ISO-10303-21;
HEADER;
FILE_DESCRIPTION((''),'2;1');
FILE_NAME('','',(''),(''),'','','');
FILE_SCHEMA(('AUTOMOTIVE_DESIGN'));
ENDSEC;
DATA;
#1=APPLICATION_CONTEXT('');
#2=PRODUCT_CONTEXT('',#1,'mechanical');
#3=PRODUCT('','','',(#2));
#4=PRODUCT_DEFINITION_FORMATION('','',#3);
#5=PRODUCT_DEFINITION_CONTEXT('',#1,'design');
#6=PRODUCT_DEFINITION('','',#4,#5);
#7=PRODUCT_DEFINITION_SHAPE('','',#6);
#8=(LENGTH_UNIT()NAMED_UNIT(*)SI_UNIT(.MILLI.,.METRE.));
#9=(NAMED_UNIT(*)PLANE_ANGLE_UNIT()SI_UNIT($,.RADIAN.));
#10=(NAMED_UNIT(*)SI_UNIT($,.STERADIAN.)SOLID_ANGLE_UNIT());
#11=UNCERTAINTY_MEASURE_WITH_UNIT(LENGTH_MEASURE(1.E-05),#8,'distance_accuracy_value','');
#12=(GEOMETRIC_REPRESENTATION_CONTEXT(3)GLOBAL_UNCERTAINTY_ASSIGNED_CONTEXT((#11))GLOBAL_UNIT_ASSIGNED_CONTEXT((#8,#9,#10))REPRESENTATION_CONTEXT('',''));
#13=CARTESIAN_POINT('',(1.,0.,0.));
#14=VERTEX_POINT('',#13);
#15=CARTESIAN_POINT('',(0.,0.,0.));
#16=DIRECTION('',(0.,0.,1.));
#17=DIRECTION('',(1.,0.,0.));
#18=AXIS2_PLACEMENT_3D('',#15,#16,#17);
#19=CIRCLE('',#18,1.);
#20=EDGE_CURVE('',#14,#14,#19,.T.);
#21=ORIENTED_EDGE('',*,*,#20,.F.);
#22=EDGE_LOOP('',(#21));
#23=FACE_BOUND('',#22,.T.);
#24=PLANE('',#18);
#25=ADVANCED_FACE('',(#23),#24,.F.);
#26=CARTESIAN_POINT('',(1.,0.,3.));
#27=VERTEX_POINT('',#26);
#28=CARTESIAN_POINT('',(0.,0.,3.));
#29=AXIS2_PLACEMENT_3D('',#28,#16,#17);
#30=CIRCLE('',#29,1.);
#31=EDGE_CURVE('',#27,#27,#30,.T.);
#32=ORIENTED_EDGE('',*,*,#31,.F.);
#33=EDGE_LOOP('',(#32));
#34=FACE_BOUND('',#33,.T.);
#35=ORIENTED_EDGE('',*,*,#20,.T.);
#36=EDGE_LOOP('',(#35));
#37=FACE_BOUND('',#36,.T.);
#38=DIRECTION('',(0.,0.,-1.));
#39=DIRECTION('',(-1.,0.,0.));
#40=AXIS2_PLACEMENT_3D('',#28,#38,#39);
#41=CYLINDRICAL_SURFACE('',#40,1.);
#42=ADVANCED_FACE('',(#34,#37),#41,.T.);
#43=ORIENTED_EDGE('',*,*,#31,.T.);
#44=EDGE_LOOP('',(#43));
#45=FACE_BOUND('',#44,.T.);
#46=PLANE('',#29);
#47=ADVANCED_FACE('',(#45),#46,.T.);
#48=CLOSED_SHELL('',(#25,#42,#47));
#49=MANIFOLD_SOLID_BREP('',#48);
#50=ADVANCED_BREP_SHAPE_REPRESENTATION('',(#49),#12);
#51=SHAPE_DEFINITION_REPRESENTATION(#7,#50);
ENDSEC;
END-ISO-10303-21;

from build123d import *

# Parameters (mm, degrees)
ESBO_O1_R                = 1
RESSALTO_EXTRUS_O1_DEPTH = 3


with BuildPart() as part:
    # Esboço1 → Ressalto-extrusão1 (new body)
    with BuildSketch(Plane.XY):
        Circle(ESBO_O1_R)
    extrude(amount=RESSALTO_EXTRUS_O1_DEPTH)


solid = part.part
